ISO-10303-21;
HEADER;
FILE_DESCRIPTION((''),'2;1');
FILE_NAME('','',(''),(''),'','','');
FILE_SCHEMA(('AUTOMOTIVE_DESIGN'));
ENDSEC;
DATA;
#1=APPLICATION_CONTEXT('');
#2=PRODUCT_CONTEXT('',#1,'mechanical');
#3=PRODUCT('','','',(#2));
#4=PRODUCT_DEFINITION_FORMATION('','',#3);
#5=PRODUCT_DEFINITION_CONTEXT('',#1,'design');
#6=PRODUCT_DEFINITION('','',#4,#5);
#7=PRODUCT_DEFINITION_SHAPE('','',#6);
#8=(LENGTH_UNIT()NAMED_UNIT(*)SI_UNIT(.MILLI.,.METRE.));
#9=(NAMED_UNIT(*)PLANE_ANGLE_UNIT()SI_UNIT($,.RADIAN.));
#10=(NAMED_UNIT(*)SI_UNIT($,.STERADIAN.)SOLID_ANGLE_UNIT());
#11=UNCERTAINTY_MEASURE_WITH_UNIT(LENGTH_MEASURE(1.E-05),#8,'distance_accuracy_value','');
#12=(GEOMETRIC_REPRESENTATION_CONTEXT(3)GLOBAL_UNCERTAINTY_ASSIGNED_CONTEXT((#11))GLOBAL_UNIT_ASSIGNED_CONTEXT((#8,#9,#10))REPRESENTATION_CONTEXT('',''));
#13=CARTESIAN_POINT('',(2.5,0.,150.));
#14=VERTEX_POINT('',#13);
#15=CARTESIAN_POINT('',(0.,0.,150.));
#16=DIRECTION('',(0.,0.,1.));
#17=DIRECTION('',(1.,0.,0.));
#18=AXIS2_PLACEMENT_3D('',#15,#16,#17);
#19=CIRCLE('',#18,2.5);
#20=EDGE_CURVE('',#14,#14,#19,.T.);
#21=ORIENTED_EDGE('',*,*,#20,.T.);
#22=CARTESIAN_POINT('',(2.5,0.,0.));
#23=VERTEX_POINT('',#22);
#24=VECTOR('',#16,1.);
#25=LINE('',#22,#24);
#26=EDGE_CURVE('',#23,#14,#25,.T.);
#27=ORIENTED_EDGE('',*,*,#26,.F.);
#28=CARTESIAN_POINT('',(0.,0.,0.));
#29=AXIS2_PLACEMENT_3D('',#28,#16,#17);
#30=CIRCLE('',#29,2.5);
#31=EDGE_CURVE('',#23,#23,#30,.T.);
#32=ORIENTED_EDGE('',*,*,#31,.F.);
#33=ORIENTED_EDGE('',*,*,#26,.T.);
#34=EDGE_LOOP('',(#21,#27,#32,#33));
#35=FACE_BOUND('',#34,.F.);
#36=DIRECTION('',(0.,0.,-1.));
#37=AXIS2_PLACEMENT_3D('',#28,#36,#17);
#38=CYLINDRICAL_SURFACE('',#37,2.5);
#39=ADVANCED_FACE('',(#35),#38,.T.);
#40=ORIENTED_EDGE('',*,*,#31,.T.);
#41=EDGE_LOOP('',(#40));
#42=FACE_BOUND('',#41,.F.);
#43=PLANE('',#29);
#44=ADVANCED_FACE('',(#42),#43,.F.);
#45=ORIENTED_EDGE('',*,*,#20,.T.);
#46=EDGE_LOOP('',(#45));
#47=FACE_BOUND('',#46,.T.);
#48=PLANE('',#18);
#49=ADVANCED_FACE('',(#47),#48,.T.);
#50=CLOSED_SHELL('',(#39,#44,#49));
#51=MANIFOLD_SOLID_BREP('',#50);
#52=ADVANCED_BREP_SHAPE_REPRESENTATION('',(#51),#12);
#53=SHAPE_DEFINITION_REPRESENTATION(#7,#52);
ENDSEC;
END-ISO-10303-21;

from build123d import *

# Parameters (mm, degrees)
SKETCH1_R           = 2.5
BOSS_EXTRUDE1_DEPTH = 150


with BuildPart() as part:
    # Sketch1 → Boss-Extrude1 (new body)
    with BuildSketch(Plane.XY):
        Circle(SKETCH1_R)
    extrude(amount=BOSS_EXTRUDE1_DEPTH)


solid = part.part
